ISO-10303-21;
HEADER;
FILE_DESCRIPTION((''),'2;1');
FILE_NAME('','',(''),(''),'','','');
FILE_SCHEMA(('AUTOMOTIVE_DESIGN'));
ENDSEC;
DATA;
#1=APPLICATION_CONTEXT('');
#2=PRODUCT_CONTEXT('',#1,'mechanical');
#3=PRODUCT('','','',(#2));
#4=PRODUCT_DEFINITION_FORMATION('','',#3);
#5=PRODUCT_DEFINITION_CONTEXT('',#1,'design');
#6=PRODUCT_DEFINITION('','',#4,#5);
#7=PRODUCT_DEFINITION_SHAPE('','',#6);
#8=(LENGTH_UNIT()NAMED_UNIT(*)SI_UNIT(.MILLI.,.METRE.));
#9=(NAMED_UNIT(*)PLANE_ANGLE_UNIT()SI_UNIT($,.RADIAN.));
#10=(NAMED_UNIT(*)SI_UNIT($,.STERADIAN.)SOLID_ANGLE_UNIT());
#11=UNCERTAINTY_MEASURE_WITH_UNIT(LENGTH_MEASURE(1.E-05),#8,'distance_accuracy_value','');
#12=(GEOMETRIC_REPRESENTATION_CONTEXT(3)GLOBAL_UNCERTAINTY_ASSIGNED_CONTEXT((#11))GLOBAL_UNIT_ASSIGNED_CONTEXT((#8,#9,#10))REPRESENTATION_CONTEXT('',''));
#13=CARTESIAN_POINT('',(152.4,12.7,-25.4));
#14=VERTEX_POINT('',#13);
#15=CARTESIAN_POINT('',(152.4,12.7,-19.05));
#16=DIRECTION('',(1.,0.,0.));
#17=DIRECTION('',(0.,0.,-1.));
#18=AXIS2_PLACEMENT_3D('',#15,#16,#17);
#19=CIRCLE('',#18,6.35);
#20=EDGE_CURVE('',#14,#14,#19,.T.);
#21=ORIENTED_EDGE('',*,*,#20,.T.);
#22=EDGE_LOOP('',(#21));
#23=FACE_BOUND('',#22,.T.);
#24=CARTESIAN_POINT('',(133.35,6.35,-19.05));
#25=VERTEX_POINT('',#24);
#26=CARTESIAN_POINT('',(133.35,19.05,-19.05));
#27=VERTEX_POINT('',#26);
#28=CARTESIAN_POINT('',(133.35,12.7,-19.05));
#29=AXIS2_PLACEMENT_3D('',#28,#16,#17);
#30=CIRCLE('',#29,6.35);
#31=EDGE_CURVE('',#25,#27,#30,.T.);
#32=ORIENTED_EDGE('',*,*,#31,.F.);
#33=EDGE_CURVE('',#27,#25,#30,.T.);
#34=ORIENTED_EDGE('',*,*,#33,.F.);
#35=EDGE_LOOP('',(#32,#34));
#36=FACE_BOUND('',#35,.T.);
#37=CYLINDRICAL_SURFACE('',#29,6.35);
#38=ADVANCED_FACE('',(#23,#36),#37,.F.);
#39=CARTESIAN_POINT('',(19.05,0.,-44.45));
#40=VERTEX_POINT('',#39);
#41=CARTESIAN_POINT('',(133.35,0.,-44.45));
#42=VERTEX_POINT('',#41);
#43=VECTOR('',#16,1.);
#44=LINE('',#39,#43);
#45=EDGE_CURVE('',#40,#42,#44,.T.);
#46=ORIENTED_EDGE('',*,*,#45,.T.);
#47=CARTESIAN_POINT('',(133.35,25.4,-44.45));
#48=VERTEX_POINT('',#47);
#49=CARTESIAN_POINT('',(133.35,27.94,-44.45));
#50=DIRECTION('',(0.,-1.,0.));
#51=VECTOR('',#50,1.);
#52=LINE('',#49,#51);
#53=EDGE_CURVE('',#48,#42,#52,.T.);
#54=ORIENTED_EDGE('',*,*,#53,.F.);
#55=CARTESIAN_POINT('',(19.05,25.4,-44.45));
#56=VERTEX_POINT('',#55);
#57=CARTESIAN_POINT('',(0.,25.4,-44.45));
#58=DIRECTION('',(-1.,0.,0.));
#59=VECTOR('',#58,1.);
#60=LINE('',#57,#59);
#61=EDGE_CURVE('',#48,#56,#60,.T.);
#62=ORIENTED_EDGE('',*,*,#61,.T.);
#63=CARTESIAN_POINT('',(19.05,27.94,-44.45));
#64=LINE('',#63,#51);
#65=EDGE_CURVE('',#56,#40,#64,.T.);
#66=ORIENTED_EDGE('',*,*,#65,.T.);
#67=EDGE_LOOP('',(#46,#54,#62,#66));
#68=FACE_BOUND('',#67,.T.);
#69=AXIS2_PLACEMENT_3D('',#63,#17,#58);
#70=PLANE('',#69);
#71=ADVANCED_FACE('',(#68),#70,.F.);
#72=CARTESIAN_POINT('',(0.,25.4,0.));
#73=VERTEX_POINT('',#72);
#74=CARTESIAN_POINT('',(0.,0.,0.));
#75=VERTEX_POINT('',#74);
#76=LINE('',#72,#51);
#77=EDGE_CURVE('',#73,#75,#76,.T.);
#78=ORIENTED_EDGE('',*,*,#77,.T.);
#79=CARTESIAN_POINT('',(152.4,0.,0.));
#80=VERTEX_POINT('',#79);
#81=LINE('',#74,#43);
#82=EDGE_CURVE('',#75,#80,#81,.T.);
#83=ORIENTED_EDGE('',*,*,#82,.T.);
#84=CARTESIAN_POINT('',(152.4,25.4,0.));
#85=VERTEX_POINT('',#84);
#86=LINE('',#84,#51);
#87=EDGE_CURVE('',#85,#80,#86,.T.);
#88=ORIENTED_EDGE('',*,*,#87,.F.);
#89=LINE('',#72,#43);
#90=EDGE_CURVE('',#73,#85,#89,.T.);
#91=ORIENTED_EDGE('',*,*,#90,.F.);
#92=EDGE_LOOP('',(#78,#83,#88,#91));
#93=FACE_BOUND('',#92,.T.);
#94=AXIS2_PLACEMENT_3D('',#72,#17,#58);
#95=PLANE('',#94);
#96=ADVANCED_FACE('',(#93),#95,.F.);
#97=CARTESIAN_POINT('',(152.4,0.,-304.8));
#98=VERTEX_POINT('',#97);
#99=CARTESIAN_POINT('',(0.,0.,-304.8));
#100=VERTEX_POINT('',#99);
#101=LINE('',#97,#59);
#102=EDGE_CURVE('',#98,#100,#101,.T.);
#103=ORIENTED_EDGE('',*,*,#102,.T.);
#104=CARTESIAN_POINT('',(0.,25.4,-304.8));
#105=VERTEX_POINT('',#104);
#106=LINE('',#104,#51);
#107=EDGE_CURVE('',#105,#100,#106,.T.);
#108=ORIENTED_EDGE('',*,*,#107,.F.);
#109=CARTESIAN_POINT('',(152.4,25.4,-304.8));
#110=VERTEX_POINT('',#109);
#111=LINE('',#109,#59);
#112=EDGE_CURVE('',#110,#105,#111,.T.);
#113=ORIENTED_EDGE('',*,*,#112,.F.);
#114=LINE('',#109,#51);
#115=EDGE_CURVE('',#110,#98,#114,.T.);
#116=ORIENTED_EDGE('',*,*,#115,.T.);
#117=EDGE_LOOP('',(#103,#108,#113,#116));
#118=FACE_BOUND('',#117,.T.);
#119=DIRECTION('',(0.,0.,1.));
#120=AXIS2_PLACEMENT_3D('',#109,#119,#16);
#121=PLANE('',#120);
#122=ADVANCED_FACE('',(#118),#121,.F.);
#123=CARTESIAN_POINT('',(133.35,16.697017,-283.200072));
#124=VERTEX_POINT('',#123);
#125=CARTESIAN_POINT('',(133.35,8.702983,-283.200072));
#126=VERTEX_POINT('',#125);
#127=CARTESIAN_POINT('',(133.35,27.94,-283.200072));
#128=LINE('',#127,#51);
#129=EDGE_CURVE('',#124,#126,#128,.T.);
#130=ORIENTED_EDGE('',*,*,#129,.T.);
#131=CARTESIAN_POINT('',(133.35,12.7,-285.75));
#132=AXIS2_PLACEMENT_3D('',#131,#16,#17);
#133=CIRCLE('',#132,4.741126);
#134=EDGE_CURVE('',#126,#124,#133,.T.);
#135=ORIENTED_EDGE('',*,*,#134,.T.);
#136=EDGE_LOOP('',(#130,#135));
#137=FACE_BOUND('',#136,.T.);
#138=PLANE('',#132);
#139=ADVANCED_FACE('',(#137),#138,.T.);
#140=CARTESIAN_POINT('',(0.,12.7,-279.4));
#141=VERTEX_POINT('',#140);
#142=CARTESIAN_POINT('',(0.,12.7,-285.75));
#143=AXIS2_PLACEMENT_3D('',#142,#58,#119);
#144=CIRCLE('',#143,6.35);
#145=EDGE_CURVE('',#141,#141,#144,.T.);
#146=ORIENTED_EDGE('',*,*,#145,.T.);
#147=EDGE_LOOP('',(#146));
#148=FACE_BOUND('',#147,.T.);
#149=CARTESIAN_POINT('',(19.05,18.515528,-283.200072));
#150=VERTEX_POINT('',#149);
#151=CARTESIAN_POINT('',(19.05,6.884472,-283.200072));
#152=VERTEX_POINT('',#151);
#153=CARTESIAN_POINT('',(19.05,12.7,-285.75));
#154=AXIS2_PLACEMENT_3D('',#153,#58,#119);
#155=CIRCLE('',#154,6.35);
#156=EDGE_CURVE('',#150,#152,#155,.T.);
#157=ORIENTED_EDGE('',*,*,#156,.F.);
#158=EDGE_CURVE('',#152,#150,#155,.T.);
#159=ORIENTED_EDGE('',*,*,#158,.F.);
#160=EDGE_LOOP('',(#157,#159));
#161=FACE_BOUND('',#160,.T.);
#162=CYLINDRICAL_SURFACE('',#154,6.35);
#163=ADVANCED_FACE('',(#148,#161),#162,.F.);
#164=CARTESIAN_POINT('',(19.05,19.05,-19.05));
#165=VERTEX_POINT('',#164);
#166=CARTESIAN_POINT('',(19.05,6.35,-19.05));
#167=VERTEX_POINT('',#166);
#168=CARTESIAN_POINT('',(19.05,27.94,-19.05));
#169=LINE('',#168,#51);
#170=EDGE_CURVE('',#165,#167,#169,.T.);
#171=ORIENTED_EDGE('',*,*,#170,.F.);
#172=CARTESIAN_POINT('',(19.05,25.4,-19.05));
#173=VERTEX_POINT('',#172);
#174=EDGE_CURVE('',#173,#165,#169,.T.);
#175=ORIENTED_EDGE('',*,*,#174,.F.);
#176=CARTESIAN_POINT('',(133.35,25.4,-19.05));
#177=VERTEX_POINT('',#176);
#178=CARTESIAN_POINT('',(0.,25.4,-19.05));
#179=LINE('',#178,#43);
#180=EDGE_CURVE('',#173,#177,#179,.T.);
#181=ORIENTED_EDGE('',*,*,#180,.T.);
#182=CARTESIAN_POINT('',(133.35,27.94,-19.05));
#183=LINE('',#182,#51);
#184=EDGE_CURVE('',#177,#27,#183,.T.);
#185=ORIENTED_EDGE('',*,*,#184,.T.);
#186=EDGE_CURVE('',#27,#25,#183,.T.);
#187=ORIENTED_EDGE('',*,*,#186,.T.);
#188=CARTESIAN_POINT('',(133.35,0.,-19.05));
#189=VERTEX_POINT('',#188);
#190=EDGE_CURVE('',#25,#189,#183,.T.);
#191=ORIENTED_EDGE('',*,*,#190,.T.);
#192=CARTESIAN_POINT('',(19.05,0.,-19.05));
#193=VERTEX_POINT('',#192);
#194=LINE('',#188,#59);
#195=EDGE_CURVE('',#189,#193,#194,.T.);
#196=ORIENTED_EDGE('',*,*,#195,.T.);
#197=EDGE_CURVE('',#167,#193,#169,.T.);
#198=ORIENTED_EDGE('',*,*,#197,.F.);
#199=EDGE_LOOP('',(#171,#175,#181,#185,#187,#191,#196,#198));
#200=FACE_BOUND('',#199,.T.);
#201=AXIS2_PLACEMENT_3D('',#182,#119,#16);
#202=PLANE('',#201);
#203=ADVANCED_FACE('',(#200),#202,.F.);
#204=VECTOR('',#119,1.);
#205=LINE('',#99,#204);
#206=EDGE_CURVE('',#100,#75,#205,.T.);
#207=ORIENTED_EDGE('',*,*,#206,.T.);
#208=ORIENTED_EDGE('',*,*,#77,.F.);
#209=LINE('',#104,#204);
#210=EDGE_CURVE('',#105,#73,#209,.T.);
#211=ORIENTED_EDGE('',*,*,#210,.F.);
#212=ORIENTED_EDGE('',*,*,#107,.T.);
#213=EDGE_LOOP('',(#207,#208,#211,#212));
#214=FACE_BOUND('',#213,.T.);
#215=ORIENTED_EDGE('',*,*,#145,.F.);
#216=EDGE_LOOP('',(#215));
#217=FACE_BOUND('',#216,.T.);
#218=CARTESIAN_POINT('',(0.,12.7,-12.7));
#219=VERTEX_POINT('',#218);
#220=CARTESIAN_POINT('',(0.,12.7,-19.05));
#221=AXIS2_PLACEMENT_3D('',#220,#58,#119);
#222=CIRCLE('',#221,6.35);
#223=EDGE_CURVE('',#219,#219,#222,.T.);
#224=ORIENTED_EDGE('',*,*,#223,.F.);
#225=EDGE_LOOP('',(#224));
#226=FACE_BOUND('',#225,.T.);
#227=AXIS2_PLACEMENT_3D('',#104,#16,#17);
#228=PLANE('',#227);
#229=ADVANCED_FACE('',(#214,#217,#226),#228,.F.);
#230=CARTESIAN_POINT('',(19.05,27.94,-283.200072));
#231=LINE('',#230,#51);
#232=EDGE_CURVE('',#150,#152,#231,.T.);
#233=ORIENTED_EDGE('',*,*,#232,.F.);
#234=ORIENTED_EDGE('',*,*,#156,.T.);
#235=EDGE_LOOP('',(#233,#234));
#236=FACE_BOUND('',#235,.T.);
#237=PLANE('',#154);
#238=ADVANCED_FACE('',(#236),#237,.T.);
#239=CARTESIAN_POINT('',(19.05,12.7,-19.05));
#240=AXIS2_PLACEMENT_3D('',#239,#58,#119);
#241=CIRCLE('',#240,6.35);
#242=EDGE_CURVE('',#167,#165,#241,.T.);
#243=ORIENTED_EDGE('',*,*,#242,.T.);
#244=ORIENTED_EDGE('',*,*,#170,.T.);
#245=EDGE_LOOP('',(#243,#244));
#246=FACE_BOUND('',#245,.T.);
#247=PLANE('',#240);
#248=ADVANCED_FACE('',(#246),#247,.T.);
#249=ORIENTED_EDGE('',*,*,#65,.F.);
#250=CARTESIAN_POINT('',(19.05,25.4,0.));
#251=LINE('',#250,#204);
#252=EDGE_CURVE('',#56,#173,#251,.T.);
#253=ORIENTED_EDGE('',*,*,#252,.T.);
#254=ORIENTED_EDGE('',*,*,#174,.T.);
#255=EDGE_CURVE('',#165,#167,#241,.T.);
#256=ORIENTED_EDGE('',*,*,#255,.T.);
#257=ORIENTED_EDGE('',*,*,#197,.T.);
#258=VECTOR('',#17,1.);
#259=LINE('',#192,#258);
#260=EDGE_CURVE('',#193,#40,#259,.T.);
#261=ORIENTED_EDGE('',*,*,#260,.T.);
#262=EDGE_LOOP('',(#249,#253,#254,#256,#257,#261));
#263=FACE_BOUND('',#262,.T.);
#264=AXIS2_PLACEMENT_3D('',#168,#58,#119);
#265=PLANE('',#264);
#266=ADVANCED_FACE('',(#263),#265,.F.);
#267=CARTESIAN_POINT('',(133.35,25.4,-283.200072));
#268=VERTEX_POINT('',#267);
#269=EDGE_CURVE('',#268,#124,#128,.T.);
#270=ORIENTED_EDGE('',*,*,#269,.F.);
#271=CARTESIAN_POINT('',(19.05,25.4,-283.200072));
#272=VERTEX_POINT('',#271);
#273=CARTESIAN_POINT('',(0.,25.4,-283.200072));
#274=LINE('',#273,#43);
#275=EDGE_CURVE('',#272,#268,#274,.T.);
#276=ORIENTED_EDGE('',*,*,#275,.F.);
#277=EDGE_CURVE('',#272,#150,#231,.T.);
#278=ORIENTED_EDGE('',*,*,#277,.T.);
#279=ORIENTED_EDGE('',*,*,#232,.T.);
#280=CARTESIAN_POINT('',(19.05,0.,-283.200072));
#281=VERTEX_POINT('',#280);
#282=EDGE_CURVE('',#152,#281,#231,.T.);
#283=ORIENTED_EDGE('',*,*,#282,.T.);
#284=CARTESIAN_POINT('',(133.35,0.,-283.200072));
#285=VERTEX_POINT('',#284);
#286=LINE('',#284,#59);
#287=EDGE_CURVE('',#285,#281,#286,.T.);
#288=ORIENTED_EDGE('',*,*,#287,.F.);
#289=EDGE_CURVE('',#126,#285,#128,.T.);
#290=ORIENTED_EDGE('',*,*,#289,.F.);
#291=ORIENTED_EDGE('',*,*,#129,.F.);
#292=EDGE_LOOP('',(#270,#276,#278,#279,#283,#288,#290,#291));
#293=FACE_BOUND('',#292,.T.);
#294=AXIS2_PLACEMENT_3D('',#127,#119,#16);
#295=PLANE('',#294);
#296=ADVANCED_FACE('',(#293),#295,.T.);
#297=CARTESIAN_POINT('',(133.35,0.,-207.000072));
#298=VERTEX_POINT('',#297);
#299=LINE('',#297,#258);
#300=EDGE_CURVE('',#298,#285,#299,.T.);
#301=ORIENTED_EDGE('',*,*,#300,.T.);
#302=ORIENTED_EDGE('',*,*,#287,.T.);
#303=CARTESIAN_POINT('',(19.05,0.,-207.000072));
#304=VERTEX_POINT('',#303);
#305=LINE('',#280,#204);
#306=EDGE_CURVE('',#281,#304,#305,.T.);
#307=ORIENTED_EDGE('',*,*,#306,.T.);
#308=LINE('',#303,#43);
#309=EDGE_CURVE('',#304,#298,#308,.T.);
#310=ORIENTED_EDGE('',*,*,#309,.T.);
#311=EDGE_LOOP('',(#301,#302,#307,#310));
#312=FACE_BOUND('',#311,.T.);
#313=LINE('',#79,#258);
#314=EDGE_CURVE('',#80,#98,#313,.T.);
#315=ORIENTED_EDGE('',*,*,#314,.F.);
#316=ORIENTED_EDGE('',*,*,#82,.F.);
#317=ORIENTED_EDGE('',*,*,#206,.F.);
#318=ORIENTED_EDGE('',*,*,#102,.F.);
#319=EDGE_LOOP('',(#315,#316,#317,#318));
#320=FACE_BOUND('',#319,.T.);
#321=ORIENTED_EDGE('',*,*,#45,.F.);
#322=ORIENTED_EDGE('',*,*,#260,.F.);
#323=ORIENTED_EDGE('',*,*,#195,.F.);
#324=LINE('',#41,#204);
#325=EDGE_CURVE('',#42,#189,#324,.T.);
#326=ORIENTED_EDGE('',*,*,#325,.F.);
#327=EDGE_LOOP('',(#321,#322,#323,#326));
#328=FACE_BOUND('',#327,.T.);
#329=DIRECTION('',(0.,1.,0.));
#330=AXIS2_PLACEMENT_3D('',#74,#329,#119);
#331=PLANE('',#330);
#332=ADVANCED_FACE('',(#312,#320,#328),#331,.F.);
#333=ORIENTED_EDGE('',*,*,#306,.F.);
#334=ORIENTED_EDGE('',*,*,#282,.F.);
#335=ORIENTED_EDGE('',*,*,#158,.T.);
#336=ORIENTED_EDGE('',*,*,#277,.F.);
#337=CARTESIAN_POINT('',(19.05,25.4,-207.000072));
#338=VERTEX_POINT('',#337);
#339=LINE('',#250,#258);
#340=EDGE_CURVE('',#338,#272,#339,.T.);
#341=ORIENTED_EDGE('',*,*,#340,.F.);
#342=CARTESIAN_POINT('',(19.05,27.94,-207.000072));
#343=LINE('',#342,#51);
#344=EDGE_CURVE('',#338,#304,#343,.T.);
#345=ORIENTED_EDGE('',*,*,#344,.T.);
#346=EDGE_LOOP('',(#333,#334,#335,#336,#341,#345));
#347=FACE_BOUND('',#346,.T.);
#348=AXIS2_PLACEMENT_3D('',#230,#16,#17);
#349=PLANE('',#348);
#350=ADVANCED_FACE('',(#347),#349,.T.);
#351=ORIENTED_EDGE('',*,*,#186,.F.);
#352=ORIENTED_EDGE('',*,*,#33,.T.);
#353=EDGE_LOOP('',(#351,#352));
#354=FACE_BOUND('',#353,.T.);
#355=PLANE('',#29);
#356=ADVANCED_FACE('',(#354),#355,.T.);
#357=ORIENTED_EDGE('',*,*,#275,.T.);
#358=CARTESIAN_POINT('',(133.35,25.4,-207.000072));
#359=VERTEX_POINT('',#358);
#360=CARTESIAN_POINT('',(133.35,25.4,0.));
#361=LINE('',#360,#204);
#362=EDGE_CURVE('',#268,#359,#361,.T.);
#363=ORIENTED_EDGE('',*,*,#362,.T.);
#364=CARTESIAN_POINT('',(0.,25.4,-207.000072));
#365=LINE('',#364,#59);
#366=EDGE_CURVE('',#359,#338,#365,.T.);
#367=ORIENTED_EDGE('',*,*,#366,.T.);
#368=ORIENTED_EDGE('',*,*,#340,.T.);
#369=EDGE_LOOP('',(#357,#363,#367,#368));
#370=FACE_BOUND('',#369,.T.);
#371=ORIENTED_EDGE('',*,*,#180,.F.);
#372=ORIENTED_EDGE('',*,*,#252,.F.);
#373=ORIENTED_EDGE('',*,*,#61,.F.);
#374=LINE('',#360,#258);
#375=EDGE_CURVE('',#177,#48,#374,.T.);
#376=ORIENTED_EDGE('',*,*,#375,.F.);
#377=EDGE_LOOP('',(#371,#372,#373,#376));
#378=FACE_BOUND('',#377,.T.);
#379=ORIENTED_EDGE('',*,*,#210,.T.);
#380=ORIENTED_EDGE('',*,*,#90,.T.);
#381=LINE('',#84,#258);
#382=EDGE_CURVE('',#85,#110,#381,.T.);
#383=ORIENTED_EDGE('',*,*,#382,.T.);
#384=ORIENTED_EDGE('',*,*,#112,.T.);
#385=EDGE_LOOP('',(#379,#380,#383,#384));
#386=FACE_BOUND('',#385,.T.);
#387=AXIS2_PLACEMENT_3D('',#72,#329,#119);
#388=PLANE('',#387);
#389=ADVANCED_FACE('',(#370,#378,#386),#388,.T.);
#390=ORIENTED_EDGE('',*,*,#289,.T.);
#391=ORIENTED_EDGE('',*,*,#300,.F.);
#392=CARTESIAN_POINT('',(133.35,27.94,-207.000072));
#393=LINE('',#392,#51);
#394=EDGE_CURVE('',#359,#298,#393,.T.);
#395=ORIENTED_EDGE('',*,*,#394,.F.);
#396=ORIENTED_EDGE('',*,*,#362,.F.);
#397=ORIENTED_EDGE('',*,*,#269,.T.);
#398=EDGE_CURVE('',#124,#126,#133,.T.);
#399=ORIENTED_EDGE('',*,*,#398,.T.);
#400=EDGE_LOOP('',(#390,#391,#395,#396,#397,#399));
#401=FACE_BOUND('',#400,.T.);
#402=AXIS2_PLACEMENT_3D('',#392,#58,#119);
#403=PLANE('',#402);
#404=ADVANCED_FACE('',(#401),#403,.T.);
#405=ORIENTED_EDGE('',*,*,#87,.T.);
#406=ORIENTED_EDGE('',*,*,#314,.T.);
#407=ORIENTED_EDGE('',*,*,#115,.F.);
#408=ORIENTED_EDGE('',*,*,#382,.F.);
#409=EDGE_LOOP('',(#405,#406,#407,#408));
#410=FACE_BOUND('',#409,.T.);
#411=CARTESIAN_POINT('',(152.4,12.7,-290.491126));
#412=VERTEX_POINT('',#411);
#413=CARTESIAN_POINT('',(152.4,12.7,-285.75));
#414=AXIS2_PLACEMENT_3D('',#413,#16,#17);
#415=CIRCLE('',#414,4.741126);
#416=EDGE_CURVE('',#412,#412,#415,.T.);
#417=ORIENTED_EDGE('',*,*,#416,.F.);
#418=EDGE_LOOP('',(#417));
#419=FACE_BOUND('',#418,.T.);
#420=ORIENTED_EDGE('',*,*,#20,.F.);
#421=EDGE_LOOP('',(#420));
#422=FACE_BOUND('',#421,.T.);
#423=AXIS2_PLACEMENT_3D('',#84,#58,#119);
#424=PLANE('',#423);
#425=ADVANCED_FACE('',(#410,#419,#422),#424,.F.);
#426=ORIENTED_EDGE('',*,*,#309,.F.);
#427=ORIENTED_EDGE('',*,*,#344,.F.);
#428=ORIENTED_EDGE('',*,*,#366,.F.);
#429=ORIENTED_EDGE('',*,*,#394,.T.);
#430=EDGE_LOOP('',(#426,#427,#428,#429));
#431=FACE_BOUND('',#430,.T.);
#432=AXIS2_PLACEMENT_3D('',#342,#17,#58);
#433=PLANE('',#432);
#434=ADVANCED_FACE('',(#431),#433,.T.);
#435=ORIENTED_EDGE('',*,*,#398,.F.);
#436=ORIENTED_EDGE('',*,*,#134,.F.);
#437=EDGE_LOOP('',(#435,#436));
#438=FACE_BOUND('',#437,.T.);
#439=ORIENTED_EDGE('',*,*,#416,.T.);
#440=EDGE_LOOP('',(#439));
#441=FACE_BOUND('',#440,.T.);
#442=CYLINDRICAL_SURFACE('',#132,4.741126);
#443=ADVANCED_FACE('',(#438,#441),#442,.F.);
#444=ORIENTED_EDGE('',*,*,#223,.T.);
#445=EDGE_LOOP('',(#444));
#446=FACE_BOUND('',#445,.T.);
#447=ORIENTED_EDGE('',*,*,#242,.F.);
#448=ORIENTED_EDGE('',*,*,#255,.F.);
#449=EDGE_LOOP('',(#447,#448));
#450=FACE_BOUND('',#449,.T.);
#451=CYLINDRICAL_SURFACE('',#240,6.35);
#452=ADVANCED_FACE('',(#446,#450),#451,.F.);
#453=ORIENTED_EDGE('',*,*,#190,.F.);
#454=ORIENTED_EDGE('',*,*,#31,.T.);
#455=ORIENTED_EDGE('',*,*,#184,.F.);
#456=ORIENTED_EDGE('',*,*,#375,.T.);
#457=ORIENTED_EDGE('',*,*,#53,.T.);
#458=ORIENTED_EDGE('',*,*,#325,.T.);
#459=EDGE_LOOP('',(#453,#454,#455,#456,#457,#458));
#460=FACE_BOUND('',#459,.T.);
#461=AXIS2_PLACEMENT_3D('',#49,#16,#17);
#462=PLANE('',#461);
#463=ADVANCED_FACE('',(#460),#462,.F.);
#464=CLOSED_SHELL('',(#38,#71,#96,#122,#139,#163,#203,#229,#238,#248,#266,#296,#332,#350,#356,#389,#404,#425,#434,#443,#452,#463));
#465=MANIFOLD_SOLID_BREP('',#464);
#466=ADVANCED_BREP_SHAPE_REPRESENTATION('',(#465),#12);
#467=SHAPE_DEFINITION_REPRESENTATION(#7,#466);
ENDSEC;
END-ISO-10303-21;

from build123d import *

# Parameters (mm, degrees)
SKETCH1_W           = 152.4
SKETCH1_H           = 304.8
BOSS_EXTRUDE1_DEPTH = 25.4
SKETCH2_R           = 6.35
CUT_EXTRUDE1_DEPTH  = 19.05
SKETCH3_R           = 4.741125957
CUT_EXTRUDE2_DEPTH  = 19.05
CUT_EXTRUDE3_START  = -19.05
SKETCH8_R           = 6.35
CUT_EXTRUDE3_DEPTH  = 19.05
SKETCH9_W           = 114.3
SKETCH9_H           = 25.4
SKETCH9_H_2         = 76.2
CUT_EXTRUDE5_DEPTH  = 27.94


with BuildPart() as part:
    # Sketch1 → Boss-Extrude1 (new body)
    with BuildSketch(Plane(origin=(0, 0, 0), x_dir=(1, 0, 0), z_dir=(0, 1, 0))):
        with Locations((76.2, 152.4)):
            Rectangle(SKETCH1_W, SKETCH1_H)
    extrude(amount=BOSS_EXTRUDE1_DEPTH)

    # Sketch2 → Cut-Extrude1 (cut)
    with BuildSketch(Plane(origin=(152.4, 0, 0), x_dir=(0, 0, -1), z_dir=(1, 0, 0))):
        with Locations((19.05, 12.7)):
            Circle(SKETCH2_R)
    extrude(amount=-CUT_EXTRUDE1_DEPTH, mode=Mode.SUBTRACT)

    # Sketch3 → Cut-Extrude2 (cut)
    with BuildSketch(Plane(origin=(152.4, 0, 0), x_dir=(0, 0, -1), z_dir=(1, 0, 0))):
        with Locations((285.75, 12.7)):
            Circle(SKETCH3_R)
    extrude(amount=-CUT_EXTRUDE2_DEPTH, mode=Mode.SUBTRACT)

    # Sketch8 → Cut-Extrude3 (cut)
    with BuildSketch(Plane.ZY.offset(CUT_EXTRUDE3_START)):
        with Locations((-285.75, 12.7)):
            Circle(SKETCH8_R)
        with Locations(Location((-19.05, 12.7, 0), (0, 0, 180))):
            Circle(SKETCH8_R)
    extrude(amount=CUT_EXTRUDE3_DEPTH, mode=Mode.SUBTRACT)

    # Sketch9 → Cut-Extrude5 (cut)
    with BuildSketch(Plane(origin=(0, 0, 0), x_dir=(1, 0, 0), z_dir=(0, 1, 0))):
        with Locations((76.2, 31.75)):
            Rectangle(SKETCH9_W, SKETCH9_H)
        with Locations((76.2, 245.100072294)):
            Rectangle(SKETCH9_W, SKETCH9_H_2)
    extrude(amount=CUT_EXTRUDE5_DEPTH, mode=Mode.SUBTRACT)


solid = part.part
